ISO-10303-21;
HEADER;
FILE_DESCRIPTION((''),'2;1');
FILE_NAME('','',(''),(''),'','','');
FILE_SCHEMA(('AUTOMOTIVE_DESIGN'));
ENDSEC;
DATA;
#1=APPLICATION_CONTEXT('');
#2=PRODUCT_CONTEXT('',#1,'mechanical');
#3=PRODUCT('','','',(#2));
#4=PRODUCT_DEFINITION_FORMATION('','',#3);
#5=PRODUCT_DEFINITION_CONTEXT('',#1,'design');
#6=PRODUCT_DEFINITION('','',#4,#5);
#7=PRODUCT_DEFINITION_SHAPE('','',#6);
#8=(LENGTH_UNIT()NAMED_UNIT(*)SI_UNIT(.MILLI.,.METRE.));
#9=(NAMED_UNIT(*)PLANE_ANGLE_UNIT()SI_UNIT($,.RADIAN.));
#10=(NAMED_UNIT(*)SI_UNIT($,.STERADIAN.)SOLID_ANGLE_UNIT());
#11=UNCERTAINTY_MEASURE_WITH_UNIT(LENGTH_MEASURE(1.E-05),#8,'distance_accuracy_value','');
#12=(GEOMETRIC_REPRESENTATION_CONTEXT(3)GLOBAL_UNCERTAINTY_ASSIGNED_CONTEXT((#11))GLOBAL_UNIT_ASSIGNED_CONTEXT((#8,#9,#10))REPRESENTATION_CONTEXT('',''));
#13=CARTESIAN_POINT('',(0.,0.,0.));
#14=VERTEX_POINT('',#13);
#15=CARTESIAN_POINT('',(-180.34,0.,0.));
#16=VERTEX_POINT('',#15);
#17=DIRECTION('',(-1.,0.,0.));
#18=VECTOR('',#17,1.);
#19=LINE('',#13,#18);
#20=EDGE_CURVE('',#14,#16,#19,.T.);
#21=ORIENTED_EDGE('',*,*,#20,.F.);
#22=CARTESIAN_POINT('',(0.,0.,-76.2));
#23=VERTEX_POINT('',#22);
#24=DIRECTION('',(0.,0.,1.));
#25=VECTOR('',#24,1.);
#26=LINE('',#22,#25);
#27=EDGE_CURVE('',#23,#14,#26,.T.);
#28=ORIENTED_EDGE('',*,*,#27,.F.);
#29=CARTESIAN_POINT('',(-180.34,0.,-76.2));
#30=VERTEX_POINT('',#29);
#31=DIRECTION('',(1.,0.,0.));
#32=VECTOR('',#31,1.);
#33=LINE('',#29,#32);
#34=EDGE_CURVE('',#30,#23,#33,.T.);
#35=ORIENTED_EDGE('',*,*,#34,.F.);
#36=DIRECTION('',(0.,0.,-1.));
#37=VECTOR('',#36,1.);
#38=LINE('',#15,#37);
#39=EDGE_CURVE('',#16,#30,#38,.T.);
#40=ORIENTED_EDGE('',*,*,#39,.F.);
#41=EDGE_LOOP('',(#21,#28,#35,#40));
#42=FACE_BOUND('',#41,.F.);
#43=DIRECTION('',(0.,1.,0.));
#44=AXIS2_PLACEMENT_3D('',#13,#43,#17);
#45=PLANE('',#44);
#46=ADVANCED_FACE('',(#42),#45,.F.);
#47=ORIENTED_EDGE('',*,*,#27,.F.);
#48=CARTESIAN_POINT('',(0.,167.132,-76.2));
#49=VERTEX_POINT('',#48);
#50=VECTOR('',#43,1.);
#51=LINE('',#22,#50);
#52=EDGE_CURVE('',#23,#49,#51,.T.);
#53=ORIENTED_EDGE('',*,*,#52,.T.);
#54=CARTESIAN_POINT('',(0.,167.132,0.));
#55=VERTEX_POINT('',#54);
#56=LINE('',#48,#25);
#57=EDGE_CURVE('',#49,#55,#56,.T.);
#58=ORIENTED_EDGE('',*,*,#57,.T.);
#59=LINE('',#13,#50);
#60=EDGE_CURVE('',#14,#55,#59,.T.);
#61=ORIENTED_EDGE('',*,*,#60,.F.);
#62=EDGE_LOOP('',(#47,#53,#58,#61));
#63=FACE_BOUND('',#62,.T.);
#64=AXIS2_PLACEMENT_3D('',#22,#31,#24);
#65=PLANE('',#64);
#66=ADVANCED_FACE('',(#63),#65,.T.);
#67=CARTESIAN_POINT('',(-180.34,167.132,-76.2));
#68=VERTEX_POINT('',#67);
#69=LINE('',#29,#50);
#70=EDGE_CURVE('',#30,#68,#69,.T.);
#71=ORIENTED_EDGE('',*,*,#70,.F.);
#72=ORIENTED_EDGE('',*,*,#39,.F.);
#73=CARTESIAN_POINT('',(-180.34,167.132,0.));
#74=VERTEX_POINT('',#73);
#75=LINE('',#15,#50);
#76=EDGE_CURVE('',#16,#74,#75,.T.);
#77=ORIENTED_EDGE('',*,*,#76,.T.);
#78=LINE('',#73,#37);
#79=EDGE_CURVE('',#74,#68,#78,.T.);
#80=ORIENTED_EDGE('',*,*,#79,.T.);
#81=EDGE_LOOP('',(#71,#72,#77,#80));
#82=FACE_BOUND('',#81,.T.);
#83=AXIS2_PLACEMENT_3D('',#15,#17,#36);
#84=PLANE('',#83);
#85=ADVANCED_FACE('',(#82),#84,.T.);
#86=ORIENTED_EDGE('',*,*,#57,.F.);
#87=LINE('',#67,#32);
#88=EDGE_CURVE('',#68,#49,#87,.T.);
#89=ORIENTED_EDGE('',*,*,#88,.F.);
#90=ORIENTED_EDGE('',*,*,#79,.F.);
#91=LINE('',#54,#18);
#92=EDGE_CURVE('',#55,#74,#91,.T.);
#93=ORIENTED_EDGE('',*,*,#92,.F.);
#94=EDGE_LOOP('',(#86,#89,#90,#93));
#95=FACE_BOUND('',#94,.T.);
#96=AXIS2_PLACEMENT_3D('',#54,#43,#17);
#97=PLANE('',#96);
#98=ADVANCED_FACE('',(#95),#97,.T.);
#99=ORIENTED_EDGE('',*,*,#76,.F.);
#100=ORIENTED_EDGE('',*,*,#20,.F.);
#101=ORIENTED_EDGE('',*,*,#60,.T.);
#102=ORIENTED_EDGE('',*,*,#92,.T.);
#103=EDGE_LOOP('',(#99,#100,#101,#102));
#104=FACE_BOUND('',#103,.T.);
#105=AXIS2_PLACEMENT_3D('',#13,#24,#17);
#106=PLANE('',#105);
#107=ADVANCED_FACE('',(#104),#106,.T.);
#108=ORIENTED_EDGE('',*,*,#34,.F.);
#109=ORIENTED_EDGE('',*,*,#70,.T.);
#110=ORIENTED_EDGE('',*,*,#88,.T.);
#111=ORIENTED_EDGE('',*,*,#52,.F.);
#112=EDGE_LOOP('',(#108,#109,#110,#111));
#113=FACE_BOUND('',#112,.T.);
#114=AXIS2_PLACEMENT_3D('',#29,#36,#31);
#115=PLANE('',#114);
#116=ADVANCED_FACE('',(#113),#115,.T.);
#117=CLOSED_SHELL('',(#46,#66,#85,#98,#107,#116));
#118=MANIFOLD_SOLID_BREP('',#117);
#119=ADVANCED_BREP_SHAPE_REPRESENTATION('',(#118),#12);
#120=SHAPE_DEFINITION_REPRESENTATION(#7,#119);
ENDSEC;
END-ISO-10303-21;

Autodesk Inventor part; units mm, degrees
ref_plane "YZ Plane" through (0, 0, 0) normal (1, 0, 0) x (0, 1, 0)
ref_plane "XZ Plane" through (0, 0, 0) normal (0, 1, 0) x (-1, 0, 0)
ref_plane "XY Plane" through (0, 0, 0) normal (0, 0, 1) x (1, 0, 0)
sketch "Sketch1" plane through (0, 0, 0) normal (0, 1, 0) x (-1, 0, 0)
  line L0 (0, 0) -> (180.34, 0)
  line L1 (180.34, 0) -> (180.34, -76.2)
  line L2 (180.34, -76.2) -> (0, -76.2)
  line L3 (0, -76.2) -> (0, 0)
  dimension "d0" = 180.34
  dimension "d1" = 76.2
extrude "Extrusion1" add sketch "Sketch1" along normal blind 167.132
sketch "Sketch2" plane through (0, 0, 0) normal (0, -1, 0) x (1, 0, 0)
  line L0 (-180.34, -76.2) -> (-180.34, 0) projected
  line L1 (-193.04, 0) -> (-193.04, -76.2)
  line L2 (-193.04, -76.2) -> (-180.34, -76.2)
  line L3 (-180.34, -76.2) -> (-180.34, 0)
  line L4 (0, -76.2) -> (-180.34, -76.2) projected
  line L5 (0, -76.2) -> (12.7, -76.2)
  line L6 (12.7, -76.2) -> (12.7, 0)
  line L7 (0, 0) -> (0, -76.2)
  line L8 (0, 0) -> (-180.34, 0)
  line L9 (-193.04, 0) -> (-193.04, 12.7)
  line L10 (-193.04, 12.7) -> (12.7, 12.7)
  line L11 (12.7, 12.7) -> (12.7, 0)
  dimension "d4" = 12.7
  dimension "d5" = 12.7
  dimension "d6" = 12.7
properties part number "AndymarkBattery"
